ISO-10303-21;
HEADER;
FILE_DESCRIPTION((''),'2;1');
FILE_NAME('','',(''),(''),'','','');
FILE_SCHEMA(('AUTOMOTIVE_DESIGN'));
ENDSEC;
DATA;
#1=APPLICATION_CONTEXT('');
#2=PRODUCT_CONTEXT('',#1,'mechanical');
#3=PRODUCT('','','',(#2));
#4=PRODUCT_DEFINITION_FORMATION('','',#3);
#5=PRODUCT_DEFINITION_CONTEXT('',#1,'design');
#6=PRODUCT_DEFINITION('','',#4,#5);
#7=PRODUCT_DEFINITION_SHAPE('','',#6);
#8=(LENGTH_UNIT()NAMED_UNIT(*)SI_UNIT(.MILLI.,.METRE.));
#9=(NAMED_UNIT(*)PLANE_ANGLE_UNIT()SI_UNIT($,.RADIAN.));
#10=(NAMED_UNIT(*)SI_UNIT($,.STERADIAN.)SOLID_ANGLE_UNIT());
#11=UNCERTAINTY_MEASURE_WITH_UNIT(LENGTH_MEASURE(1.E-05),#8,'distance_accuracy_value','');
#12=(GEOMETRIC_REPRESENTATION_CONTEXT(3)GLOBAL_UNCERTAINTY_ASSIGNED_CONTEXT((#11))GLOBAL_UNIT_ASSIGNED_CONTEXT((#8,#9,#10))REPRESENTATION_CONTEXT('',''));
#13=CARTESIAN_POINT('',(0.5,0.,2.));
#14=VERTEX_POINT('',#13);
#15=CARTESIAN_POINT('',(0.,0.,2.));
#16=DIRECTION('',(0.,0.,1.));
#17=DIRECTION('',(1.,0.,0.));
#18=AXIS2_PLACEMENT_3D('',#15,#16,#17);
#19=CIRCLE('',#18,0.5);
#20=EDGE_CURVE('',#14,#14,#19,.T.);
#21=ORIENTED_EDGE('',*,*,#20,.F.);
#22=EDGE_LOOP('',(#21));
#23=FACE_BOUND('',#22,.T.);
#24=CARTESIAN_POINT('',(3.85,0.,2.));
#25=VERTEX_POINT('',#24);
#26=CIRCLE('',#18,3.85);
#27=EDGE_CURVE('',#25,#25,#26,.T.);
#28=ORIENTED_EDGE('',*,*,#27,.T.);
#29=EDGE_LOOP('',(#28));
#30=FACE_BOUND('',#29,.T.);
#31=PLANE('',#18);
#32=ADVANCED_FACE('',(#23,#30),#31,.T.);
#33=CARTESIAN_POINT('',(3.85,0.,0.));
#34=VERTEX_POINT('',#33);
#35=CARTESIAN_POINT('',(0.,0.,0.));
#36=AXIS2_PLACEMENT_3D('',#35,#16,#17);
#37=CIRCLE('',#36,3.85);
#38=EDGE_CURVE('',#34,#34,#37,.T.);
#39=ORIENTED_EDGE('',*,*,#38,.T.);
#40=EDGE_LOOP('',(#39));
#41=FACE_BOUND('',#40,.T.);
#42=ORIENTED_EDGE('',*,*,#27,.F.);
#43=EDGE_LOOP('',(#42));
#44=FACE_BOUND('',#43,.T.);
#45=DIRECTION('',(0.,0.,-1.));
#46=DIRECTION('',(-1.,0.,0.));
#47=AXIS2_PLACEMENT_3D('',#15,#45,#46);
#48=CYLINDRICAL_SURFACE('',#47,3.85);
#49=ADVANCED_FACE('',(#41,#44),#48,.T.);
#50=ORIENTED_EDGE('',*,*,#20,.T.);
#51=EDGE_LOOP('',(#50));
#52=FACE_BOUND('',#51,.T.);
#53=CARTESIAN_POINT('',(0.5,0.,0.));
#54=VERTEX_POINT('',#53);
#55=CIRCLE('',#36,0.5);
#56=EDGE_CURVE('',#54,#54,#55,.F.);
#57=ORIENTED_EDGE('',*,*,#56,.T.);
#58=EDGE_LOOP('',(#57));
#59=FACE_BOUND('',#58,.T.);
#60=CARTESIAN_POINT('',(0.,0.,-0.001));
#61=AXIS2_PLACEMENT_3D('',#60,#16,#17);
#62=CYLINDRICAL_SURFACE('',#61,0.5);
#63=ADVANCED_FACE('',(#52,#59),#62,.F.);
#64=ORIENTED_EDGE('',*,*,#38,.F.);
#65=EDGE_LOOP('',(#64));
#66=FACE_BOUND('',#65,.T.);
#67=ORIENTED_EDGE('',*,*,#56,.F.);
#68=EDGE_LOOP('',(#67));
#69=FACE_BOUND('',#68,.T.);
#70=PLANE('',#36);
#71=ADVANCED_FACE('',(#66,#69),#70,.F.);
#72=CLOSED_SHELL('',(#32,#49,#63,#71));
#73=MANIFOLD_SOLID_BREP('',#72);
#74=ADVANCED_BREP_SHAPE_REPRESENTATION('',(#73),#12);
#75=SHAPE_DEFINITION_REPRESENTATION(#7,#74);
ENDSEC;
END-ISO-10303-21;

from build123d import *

# Parameters (mm, degrees)
SKETCH1_R           = 3.85
BOSS_EXTRUDE1_DEPTH = 2
CUT_EXTRUDE1_REACH  = 7.8
SKETCH2_R           = 0.5


with BuildPart() as part:
    # Sketch1 → Boss-Extrude1 (new body)
    with BuildSketch(Plane.XY):
        Circle(SKETCH1_R)
    extrude(amount=BOSS_EXTRUDE1_DEPTH)

    # Sketch2 → Cut-Extrude1 (cut, up to next)
    with BuildSketch(Plane.XY.offset(2), mode=Mode.PRIVATE) as cut_extrude1_sk1:
        Circle(SKETCH2_R)
    cut_extrude1_tool1 = extrude(cut_extrude1_sk1.sketch, amount=-CUT_EXTRUDE1_REACH, mode=Mode.PRIVATE) & part.part
    add(cut_extrude1_tool1.solids().sort_by_distance((0, 0, 2))[0], mode=Mode.SUBTRACT)


solid = part.part
